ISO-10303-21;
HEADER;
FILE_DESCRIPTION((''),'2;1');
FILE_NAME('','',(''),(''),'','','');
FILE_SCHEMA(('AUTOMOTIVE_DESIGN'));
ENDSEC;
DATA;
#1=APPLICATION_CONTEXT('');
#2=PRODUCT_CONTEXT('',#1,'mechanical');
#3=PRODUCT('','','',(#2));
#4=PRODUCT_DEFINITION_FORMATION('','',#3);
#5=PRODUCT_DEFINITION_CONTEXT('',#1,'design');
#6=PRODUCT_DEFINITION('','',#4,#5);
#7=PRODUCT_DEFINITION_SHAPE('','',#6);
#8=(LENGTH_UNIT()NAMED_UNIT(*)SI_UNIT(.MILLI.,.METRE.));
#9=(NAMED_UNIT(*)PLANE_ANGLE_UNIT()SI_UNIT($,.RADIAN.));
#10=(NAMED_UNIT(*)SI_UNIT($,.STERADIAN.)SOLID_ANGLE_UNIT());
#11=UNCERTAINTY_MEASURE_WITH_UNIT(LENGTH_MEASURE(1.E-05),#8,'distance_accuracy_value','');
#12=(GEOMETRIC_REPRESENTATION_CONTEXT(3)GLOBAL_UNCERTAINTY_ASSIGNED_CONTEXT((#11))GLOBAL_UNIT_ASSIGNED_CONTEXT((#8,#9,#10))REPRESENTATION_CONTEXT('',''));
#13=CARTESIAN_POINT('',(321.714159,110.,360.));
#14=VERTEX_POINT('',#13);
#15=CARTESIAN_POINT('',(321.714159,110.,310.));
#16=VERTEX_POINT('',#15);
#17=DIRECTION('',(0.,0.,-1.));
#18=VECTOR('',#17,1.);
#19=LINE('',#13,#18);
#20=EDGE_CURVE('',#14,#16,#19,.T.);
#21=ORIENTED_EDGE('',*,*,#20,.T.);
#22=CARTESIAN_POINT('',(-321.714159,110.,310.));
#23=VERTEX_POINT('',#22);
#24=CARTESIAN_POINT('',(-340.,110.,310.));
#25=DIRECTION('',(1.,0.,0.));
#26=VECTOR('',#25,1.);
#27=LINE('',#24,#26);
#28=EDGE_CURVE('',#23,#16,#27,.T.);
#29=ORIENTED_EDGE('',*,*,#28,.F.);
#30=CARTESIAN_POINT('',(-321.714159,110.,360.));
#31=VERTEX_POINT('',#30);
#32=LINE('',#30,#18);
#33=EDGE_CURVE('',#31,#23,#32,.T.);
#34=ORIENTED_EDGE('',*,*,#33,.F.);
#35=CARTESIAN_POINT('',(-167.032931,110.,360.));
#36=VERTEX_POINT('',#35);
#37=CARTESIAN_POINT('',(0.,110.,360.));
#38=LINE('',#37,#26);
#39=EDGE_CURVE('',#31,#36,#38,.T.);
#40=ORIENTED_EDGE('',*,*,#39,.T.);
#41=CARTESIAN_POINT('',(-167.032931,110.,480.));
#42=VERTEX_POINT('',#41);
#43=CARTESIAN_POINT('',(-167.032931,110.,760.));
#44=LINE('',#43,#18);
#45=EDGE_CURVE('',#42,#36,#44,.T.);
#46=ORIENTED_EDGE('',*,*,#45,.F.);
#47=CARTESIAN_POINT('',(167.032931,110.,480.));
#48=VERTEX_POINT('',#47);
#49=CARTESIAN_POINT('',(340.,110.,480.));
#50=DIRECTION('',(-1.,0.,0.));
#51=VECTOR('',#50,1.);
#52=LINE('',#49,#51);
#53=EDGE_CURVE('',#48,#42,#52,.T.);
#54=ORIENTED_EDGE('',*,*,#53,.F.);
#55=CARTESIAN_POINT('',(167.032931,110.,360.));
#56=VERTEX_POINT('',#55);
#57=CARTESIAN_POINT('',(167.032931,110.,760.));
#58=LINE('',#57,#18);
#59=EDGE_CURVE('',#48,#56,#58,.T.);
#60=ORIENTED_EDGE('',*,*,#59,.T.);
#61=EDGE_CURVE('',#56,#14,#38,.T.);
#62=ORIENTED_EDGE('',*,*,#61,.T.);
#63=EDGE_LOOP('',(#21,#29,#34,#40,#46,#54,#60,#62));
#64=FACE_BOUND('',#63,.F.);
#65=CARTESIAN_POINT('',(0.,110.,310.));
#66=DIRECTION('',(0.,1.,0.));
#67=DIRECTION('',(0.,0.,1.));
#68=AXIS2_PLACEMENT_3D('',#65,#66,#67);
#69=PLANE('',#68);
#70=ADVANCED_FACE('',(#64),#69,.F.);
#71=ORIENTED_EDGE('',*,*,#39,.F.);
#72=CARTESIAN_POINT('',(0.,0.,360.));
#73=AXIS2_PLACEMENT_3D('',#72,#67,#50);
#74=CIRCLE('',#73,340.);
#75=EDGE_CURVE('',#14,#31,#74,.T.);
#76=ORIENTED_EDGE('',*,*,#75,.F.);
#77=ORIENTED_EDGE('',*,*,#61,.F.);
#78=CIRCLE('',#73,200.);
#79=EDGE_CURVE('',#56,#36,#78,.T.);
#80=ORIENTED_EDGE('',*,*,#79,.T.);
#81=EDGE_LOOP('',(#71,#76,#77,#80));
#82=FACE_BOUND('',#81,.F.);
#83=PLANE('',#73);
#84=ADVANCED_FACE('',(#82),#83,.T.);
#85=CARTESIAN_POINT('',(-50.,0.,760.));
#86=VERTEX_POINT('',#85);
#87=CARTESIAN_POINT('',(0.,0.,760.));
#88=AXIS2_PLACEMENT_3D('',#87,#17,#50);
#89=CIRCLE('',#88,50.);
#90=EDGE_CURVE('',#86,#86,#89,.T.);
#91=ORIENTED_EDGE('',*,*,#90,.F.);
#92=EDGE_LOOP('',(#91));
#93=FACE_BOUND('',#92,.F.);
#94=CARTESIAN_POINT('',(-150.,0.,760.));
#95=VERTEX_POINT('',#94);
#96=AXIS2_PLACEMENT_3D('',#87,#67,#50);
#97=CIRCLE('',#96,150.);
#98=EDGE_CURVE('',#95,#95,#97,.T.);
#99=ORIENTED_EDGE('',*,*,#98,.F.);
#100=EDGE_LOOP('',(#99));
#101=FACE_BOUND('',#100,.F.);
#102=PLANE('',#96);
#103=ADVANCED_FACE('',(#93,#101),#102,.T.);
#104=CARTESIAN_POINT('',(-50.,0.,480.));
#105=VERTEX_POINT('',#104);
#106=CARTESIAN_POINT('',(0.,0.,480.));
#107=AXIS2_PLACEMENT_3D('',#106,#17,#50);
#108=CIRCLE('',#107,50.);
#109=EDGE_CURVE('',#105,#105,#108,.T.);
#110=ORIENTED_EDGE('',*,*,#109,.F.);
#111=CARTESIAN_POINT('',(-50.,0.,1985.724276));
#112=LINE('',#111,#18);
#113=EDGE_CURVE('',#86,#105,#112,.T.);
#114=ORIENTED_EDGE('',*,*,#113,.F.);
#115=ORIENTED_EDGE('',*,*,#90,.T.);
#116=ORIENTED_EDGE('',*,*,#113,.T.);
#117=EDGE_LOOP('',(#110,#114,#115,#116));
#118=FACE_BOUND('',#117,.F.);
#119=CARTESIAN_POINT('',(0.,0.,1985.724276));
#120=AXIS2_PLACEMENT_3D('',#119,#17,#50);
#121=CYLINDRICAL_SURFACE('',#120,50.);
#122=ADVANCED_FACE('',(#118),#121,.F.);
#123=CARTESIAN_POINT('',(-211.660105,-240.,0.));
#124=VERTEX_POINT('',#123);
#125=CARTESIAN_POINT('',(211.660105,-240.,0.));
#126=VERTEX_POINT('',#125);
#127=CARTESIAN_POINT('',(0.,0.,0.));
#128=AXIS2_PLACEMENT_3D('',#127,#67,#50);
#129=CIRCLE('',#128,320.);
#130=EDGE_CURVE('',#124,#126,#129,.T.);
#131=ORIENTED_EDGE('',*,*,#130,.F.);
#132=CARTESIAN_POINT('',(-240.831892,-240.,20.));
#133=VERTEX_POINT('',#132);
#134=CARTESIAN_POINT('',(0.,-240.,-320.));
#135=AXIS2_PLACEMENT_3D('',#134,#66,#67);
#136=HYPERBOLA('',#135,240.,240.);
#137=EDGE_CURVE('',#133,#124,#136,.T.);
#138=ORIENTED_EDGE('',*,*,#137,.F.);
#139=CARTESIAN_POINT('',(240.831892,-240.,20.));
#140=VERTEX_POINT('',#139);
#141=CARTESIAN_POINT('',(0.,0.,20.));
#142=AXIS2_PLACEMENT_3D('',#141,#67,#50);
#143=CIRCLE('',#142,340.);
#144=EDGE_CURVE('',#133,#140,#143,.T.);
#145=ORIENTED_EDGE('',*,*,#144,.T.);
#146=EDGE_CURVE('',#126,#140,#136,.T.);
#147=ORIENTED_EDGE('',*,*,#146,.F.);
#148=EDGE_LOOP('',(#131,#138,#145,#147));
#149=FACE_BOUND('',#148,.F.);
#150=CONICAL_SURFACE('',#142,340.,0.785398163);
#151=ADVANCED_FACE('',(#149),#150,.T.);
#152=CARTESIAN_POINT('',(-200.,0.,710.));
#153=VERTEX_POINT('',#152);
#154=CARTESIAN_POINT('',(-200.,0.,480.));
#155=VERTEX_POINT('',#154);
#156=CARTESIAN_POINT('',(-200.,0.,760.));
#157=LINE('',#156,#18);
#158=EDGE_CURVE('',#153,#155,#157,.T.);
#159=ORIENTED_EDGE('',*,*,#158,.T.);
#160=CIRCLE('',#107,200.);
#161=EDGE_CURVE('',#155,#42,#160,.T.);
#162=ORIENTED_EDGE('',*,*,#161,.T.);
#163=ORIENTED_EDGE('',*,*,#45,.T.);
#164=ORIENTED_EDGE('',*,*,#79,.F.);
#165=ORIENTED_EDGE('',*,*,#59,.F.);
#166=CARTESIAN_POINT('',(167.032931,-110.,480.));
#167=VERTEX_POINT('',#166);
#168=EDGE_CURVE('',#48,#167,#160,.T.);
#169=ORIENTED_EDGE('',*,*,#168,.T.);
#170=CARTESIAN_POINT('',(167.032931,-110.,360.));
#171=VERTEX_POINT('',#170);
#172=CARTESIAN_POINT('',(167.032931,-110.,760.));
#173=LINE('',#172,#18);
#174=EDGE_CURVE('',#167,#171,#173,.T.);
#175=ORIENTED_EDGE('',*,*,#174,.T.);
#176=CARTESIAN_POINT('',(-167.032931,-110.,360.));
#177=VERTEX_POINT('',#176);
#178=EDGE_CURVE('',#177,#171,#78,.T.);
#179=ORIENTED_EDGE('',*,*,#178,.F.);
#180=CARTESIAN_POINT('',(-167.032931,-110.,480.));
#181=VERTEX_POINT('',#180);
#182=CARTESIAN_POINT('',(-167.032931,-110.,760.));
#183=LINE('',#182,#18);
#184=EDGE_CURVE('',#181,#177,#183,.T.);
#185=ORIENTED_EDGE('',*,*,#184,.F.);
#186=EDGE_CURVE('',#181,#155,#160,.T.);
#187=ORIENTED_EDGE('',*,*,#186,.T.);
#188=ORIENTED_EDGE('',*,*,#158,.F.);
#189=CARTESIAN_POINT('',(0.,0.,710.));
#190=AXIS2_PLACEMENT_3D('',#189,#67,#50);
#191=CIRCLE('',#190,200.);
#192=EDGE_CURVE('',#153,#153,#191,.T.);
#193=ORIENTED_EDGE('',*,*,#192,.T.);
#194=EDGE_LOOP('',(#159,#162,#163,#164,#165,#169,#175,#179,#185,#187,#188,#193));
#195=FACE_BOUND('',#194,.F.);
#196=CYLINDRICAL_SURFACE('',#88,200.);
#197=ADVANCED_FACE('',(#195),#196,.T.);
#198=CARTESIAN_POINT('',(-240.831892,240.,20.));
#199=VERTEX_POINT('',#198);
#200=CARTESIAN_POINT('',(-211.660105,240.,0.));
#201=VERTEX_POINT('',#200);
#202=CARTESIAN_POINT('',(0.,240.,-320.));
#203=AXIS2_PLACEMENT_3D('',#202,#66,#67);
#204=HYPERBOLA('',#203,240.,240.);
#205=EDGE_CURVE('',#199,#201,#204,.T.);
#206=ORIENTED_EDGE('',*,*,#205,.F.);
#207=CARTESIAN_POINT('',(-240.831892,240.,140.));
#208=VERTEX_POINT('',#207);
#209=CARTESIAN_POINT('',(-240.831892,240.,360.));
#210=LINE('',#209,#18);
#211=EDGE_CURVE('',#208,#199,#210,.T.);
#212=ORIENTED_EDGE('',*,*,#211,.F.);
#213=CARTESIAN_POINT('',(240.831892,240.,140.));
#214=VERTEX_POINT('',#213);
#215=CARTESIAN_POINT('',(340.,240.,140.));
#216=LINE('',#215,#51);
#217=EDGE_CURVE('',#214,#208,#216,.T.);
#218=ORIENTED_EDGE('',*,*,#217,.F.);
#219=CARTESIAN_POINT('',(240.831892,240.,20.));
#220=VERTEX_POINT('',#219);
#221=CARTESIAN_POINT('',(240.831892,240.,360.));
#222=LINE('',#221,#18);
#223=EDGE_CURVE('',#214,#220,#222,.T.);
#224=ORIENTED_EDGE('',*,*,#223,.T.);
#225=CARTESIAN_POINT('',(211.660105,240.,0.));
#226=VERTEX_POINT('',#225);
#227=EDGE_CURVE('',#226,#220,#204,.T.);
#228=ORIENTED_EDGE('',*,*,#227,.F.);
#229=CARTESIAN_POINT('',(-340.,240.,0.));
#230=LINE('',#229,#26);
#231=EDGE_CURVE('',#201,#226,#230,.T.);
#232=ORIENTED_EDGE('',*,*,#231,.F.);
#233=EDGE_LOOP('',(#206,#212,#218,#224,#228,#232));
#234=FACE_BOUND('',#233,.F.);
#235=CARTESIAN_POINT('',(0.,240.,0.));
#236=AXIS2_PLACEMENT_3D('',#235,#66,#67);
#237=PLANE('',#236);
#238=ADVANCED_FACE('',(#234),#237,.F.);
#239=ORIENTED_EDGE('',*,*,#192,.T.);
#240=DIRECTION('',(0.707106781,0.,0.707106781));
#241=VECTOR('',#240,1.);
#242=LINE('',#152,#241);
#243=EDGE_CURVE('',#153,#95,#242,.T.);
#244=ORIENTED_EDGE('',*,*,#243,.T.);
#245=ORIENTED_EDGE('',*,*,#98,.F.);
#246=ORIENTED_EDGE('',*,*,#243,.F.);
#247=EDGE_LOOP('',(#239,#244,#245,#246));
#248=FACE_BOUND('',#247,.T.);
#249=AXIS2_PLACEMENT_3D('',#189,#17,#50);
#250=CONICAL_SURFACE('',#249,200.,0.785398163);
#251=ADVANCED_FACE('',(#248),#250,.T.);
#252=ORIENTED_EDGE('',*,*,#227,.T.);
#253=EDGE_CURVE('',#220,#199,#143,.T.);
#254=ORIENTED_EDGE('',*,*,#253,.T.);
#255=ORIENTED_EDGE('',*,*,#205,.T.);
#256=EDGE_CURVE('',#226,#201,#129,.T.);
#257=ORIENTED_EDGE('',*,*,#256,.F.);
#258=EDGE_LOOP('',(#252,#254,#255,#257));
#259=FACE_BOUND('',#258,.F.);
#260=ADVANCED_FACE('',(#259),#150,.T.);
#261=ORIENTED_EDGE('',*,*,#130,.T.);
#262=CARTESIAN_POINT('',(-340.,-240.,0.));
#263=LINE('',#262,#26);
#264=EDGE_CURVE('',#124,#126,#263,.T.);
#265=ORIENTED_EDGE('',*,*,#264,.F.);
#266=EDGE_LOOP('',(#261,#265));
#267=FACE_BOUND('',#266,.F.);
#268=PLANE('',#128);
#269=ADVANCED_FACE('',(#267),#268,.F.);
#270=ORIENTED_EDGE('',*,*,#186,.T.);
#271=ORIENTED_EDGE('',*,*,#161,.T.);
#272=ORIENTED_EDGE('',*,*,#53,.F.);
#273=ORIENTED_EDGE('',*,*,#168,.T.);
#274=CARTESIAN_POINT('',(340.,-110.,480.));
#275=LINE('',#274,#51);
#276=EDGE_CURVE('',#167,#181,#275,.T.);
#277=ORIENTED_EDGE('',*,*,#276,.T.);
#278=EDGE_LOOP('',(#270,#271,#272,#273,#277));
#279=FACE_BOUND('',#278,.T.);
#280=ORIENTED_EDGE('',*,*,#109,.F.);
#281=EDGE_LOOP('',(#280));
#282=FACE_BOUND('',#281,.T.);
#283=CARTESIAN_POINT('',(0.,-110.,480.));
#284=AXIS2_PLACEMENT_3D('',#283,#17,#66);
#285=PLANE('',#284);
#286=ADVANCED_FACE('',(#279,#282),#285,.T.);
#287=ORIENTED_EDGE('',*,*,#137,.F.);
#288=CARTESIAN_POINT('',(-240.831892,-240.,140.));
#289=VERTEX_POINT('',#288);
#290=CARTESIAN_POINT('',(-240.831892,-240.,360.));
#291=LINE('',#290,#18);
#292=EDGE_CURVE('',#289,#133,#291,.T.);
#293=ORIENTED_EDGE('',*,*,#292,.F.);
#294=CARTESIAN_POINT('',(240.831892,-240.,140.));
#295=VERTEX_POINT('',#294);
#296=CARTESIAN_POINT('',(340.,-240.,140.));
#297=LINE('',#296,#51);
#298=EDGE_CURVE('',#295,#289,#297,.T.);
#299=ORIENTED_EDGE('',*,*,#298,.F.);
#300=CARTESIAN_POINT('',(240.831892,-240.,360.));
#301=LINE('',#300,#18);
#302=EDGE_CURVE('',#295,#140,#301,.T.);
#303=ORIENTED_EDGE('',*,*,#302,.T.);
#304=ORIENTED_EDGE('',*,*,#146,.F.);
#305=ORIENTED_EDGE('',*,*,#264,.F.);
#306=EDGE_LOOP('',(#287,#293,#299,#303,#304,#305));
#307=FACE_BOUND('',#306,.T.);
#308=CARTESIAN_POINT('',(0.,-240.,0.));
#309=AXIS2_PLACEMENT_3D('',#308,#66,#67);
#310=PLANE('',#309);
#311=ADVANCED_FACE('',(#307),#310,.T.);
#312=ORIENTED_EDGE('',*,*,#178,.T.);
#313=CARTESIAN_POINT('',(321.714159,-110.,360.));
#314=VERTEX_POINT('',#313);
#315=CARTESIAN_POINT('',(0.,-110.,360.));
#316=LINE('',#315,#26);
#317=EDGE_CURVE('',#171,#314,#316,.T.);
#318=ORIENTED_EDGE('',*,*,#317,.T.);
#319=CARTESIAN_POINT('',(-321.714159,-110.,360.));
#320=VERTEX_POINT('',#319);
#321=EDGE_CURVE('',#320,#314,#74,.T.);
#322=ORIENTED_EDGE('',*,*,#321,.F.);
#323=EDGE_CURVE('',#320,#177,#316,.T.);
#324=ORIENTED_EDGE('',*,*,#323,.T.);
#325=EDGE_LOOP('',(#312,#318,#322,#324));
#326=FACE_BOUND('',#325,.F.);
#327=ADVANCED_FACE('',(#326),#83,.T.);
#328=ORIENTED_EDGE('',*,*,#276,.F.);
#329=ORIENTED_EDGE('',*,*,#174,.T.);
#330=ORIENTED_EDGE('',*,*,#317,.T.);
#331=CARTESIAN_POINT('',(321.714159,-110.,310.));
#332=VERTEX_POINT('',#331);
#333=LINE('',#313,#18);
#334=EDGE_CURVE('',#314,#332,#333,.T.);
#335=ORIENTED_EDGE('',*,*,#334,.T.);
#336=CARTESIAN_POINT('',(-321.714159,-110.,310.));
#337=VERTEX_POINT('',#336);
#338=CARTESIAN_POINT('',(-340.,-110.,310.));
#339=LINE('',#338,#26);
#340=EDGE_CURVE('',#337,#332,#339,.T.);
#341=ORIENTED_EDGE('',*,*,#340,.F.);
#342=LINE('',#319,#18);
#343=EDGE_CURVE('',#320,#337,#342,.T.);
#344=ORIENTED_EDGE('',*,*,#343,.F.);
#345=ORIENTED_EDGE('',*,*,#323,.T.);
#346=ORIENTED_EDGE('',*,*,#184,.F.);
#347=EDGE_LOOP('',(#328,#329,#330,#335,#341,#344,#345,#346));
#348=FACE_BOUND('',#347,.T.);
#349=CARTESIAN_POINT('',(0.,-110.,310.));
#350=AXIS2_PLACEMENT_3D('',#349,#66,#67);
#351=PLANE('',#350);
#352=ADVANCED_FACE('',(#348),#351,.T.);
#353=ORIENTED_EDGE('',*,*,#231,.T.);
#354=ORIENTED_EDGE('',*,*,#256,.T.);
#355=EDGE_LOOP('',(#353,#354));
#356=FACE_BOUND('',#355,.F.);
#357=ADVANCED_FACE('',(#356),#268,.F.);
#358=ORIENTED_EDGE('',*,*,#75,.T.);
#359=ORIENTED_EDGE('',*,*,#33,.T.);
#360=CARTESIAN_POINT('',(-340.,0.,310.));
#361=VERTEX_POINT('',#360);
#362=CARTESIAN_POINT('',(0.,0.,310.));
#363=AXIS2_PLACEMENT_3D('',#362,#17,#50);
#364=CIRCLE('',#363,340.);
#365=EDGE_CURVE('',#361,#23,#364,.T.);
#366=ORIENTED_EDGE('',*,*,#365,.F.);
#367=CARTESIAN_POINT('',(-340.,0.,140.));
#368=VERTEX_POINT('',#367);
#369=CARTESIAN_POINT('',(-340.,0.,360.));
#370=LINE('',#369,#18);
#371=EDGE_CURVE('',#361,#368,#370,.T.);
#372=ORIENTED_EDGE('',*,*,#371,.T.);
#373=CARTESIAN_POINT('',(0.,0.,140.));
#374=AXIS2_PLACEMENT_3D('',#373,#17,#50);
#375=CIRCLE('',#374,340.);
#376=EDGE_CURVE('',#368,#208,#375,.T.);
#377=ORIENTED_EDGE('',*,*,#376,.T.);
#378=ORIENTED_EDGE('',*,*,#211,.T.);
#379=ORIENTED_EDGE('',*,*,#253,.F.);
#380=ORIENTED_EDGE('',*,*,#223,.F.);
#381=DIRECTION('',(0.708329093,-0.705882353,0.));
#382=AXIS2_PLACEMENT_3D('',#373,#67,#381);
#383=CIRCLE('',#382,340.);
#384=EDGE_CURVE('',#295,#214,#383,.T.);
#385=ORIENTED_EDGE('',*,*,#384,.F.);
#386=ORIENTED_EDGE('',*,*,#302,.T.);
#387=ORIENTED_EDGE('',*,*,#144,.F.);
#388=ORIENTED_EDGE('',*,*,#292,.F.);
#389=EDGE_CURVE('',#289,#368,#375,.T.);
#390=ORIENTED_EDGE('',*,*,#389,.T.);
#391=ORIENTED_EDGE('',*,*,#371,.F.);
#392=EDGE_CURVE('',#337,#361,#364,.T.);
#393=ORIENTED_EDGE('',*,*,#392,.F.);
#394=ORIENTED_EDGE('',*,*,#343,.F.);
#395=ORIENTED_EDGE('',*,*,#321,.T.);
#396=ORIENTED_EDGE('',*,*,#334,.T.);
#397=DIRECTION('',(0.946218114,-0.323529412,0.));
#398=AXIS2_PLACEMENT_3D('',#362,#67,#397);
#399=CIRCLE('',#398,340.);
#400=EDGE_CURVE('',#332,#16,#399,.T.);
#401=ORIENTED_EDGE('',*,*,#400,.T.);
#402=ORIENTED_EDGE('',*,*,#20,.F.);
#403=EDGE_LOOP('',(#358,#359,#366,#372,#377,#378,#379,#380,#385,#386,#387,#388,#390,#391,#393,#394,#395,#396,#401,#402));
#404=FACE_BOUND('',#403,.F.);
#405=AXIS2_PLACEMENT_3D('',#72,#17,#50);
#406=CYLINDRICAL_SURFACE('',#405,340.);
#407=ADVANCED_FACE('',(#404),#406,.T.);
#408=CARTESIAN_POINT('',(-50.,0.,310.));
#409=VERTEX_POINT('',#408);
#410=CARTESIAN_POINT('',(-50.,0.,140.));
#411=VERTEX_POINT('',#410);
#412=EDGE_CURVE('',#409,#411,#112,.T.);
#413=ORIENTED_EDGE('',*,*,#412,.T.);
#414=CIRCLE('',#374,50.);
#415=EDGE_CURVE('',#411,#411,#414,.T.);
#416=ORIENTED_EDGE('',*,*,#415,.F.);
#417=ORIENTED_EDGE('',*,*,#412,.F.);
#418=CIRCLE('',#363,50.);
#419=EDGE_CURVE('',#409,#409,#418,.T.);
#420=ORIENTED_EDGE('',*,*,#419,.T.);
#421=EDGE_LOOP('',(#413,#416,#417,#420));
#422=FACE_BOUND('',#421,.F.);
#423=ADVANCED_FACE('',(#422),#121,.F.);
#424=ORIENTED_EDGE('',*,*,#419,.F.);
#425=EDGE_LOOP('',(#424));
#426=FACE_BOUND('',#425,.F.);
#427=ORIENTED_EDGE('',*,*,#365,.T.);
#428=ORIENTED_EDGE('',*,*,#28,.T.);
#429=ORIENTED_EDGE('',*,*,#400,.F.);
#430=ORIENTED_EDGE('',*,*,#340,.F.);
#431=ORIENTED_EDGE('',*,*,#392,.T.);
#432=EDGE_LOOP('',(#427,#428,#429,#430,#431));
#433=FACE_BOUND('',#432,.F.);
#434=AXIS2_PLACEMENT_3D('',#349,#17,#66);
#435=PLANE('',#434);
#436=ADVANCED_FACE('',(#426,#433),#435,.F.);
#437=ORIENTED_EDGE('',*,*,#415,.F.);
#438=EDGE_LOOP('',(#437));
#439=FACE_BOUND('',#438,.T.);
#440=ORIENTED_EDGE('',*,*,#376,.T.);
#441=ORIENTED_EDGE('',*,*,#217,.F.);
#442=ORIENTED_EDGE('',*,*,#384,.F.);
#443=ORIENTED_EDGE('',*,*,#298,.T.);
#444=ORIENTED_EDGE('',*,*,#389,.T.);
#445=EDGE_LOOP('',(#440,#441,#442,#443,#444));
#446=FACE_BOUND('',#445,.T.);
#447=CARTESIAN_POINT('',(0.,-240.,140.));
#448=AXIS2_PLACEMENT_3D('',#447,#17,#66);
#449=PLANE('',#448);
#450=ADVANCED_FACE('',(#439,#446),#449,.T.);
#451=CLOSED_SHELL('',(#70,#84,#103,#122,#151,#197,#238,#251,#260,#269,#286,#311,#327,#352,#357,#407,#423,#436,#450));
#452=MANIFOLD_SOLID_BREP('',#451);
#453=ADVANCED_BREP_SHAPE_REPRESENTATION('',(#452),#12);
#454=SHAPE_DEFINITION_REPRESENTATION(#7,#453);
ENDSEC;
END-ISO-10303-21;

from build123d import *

# Parameters (mm, degrees)
F2_SIZE  = 20
F3_SIZE  = 50
F4_W     = 480
F4_H     = 140
F5_DEPTH = 340
F6_W     = 220
F6_H     = 170
F7_DEPTH = 340
F9_D     = 100


with BuildPart() as f1:
    # F0 (on Front) → F1 (revolve)
    with BuildSketch(Plane.XZ):
        Polygon((0, 0), (0, 760), (-200, 760), (-200, 360), (-340, 360), (-340, 0), align=None)
    revolve(axis=Axis((0, 0, 380), (0, 0, 1)))

    # F2
    f2_edges = [f1.edges().sort_by_distance(p)[0] for p in [
        (340, 0, 0),
    ]]
    chamfer(f2_edges, length=F2_SIZE)

    # F3
    f3_edges = [f1.edges().sort_by_distance(p)[0] for p in [
        (200, 0, 760),
    ]]
    chamfer(f3_edges, length=F3_SIZE)

    # F4 (on Right) → F5 (cut, symmetric)
    with BuildSketch(Plane.YZ):
        with Locations((0, 70)):
            Rectangle(F4_W, F4_H)
    extrude(amount=F5_DEPTH, both=True, mode=Mode.SUBTRACT)

    # F6 (on Right) → F7 (cut, symmetric)
    with BuildSketch(Plane.YZ):
        with Locations((0, 395)):
            Rectangle(F6_W, F6_H)
    extrude(amount=F7_DEPTH, both=True, mode=Mode.SUBTRACT)

    # F9 (through all)
    with Locations(Plane.XY.offset(760)):
        with Locations((0, 0)):
            Hole(F9_D / 2)


solid = f1.part
